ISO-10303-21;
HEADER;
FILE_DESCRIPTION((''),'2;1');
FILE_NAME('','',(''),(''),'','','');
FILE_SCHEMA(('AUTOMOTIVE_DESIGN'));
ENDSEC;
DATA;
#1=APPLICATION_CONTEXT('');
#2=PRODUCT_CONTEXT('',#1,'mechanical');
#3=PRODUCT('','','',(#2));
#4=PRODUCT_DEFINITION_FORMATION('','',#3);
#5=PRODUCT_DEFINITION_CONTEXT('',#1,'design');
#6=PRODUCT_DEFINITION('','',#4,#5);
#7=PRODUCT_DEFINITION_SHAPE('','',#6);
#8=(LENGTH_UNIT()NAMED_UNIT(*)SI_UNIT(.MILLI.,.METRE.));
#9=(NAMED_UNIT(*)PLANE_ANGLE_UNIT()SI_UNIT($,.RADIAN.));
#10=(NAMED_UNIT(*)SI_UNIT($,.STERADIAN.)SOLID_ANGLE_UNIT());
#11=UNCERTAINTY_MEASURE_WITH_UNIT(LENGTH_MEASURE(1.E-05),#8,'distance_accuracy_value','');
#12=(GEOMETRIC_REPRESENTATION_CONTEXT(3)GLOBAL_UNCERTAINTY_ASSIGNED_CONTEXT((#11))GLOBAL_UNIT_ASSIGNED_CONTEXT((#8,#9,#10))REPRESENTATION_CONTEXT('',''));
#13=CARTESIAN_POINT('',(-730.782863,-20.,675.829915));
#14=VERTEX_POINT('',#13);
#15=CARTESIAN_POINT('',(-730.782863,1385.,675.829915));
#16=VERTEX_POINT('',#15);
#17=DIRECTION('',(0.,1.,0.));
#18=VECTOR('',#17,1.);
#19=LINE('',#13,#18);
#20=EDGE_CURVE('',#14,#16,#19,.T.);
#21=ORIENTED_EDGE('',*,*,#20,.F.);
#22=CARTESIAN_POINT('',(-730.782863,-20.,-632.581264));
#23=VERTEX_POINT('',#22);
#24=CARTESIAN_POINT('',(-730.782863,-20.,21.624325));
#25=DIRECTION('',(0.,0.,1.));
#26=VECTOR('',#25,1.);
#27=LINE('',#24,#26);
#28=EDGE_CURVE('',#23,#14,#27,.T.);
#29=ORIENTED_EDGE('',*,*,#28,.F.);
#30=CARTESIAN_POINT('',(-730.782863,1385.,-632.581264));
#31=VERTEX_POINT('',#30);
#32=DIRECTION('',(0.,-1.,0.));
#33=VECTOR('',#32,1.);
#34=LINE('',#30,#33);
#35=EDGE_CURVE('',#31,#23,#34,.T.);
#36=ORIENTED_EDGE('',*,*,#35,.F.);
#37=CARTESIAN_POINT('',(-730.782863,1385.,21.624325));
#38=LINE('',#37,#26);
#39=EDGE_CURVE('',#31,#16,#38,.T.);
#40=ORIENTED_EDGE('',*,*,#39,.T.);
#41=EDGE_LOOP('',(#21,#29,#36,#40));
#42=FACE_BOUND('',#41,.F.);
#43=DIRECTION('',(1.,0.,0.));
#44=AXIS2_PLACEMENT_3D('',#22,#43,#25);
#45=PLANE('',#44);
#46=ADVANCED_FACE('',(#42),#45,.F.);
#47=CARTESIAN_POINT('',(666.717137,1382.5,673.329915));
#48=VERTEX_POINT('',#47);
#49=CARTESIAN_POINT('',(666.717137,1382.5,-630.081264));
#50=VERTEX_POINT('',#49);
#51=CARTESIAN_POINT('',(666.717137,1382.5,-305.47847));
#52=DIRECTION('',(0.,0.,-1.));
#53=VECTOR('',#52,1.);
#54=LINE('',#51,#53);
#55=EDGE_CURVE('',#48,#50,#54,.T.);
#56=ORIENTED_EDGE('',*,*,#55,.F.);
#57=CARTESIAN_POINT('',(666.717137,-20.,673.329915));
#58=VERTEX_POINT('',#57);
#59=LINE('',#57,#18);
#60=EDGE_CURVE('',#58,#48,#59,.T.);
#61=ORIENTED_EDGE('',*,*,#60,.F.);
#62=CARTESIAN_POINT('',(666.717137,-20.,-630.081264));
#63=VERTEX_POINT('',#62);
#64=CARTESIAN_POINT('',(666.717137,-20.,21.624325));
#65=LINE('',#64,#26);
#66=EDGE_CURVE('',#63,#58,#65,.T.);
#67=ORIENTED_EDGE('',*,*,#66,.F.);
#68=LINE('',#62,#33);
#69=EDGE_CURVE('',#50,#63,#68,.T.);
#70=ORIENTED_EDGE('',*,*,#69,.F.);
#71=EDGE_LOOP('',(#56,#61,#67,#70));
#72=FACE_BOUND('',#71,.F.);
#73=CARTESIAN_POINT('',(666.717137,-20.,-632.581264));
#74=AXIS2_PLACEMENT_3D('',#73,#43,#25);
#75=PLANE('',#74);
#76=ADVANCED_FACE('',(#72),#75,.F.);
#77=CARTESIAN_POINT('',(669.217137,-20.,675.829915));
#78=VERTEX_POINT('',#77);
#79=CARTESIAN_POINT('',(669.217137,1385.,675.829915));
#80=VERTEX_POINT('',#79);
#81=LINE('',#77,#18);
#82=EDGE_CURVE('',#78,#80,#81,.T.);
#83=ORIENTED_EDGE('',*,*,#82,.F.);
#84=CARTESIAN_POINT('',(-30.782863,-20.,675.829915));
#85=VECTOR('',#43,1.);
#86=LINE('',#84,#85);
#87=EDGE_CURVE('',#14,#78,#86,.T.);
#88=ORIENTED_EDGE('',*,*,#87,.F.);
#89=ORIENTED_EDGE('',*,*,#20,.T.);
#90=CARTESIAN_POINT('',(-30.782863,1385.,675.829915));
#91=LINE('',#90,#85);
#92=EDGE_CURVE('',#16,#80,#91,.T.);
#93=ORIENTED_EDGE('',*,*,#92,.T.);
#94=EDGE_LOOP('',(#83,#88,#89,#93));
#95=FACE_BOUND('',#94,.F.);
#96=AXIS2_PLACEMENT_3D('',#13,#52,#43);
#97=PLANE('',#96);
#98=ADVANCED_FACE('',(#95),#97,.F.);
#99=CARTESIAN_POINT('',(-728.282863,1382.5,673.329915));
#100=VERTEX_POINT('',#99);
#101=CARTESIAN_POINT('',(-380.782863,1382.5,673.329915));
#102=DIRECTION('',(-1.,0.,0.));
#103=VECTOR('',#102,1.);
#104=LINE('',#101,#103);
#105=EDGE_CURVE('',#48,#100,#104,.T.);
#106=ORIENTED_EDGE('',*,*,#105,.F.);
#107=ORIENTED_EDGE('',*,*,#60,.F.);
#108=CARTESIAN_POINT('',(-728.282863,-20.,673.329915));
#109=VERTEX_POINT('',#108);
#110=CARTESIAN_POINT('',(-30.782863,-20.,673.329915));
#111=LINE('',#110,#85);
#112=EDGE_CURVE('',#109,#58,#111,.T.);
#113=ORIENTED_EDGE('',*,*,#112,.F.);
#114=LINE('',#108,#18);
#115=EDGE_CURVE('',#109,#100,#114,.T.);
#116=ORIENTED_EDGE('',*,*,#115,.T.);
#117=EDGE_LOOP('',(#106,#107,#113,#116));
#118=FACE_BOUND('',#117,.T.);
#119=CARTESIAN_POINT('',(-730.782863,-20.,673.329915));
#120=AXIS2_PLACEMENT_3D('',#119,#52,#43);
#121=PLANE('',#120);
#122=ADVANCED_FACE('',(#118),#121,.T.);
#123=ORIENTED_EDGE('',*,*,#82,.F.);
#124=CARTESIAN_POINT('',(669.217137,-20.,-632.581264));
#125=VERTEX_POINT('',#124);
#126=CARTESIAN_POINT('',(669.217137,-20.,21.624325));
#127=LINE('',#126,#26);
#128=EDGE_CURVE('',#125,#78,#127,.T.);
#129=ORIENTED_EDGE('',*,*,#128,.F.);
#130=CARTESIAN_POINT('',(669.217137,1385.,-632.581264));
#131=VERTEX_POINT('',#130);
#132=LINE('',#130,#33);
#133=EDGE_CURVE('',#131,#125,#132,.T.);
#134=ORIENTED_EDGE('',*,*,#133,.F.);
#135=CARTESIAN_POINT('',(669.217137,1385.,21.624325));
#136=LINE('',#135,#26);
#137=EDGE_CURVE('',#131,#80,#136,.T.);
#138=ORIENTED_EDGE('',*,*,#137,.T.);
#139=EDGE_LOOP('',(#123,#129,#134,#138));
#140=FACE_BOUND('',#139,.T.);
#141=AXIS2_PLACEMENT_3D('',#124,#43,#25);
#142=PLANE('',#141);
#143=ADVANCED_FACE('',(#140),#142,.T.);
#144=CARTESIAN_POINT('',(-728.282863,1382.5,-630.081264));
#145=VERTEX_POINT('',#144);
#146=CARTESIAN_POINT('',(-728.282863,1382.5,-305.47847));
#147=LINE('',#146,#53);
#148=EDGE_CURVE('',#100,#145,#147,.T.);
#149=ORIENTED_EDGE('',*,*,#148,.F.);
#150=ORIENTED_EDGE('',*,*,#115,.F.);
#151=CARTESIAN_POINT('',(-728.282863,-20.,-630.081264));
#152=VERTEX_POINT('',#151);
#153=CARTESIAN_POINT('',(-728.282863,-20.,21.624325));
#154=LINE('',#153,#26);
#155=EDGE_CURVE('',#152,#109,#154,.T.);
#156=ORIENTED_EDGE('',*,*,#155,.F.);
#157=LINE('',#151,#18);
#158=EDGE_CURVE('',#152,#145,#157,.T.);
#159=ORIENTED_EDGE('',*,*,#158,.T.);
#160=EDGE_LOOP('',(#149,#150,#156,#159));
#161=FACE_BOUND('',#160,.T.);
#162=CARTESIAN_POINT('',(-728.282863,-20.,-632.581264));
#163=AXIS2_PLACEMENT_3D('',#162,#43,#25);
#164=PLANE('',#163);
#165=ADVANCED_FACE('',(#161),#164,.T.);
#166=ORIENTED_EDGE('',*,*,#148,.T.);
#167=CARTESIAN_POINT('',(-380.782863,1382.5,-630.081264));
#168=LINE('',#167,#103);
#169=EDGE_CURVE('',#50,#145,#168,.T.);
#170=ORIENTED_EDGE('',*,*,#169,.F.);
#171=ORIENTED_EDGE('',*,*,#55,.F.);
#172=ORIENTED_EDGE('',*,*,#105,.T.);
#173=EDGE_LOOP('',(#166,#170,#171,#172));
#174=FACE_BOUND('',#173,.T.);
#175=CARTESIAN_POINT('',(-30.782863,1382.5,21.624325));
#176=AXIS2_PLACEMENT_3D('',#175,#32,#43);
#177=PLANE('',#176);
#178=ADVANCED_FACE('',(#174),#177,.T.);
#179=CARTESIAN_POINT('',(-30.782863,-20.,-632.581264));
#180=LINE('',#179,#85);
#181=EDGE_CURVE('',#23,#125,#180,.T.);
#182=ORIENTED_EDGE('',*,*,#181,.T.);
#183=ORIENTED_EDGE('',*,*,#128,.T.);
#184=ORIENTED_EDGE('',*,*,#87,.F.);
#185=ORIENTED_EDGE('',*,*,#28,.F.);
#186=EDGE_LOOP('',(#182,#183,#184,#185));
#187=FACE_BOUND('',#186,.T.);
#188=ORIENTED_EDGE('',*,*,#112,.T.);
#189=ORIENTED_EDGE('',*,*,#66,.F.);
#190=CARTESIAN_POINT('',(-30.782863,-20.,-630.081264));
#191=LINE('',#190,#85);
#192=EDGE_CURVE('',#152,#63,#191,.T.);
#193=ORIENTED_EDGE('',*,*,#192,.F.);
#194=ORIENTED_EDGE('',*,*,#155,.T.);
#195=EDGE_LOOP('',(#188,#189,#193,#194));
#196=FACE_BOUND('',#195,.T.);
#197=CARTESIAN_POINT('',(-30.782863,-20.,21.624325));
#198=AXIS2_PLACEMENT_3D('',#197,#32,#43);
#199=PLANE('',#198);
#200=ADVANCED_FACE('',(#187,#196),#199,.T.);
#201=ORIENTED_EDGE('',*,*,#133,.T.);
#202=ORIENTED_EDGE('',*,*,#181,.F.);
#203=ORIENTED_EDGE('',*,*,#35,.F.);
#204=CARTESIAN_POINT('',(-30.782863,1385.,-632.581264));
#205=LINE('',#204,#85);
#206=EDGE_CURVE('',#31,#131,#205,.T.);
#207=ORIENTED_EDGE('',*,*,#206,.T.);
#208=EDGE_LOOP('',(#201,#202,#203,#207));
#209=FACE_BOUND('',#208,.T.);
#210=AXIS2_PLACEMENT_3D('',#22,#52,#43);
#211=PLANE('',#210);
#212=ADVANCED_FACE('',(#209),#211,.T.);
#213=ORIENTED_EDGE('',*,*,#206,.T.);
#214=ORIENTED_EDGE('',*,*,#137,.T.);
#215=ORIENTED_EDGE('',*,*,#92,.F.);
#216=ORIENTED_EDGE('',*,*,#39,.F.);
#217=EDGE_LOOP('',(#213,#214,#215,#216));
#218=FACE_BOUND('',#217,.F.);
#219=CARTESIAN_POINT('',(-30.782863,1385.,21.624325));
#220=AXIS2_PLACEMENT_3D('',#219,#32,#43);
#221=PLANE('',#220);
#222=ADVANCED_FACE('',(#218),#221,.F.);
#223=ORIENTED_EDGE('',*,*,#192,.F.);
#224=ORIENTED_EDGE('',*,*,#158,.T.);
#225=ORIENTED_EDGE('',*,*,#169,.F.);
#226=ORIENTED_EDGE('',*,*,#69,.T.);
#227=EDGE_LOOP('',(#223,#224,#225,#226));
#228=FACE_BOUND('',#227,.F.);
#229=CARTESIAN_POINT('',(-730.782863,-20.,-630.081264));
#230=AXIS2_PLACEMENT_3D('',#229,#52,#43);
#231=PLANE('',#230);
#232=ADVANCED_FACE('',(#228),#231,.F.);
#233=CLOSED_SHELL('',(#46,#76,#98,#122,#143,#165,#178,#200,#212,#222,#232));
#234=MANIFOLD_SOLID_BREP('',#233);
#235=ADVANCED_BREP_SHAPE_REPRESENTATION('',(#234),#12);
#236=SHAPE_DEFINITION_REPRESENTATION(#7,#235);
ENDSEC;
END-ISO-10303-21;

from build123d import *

# Parameters (mm, degrees)
F0_W     = 1400
F0_H     = 1308.4111795891
F1_DEPTH = 20
F2_DEPTH = 1385
F3_T     = -2.5


with BuildPart() as f1:
    # F0 (on Front) → F1 (new body)
    with BuildSketch(Plane.XZ):
        with Locations((-30.7828634977, 21.6243253089)):
            Rectangle(F0_W, F0_H)
    extrude(amount=F1_DEPTH)

    # F2 (add): faces of the model
    f2_faces = [f1.faces().sort_by_distance(p)[0] for p in [
        (-30.7828634977, -20, 21.6243253089),
        (-30.7828634977, 0, 21.6243253089),
    ]]
    extrude(f2_faces, amount=-F2_DEPTH, dir=(0, -1, 0))

    # F3
    f3_openings = [f1.faces().sort_by_distance(p)[0] for p in [
        (-30.782863, -20, 21.624325),
    ]]
    offset(amount=F3_T, openings=f3_openings)


solid = f1.part
